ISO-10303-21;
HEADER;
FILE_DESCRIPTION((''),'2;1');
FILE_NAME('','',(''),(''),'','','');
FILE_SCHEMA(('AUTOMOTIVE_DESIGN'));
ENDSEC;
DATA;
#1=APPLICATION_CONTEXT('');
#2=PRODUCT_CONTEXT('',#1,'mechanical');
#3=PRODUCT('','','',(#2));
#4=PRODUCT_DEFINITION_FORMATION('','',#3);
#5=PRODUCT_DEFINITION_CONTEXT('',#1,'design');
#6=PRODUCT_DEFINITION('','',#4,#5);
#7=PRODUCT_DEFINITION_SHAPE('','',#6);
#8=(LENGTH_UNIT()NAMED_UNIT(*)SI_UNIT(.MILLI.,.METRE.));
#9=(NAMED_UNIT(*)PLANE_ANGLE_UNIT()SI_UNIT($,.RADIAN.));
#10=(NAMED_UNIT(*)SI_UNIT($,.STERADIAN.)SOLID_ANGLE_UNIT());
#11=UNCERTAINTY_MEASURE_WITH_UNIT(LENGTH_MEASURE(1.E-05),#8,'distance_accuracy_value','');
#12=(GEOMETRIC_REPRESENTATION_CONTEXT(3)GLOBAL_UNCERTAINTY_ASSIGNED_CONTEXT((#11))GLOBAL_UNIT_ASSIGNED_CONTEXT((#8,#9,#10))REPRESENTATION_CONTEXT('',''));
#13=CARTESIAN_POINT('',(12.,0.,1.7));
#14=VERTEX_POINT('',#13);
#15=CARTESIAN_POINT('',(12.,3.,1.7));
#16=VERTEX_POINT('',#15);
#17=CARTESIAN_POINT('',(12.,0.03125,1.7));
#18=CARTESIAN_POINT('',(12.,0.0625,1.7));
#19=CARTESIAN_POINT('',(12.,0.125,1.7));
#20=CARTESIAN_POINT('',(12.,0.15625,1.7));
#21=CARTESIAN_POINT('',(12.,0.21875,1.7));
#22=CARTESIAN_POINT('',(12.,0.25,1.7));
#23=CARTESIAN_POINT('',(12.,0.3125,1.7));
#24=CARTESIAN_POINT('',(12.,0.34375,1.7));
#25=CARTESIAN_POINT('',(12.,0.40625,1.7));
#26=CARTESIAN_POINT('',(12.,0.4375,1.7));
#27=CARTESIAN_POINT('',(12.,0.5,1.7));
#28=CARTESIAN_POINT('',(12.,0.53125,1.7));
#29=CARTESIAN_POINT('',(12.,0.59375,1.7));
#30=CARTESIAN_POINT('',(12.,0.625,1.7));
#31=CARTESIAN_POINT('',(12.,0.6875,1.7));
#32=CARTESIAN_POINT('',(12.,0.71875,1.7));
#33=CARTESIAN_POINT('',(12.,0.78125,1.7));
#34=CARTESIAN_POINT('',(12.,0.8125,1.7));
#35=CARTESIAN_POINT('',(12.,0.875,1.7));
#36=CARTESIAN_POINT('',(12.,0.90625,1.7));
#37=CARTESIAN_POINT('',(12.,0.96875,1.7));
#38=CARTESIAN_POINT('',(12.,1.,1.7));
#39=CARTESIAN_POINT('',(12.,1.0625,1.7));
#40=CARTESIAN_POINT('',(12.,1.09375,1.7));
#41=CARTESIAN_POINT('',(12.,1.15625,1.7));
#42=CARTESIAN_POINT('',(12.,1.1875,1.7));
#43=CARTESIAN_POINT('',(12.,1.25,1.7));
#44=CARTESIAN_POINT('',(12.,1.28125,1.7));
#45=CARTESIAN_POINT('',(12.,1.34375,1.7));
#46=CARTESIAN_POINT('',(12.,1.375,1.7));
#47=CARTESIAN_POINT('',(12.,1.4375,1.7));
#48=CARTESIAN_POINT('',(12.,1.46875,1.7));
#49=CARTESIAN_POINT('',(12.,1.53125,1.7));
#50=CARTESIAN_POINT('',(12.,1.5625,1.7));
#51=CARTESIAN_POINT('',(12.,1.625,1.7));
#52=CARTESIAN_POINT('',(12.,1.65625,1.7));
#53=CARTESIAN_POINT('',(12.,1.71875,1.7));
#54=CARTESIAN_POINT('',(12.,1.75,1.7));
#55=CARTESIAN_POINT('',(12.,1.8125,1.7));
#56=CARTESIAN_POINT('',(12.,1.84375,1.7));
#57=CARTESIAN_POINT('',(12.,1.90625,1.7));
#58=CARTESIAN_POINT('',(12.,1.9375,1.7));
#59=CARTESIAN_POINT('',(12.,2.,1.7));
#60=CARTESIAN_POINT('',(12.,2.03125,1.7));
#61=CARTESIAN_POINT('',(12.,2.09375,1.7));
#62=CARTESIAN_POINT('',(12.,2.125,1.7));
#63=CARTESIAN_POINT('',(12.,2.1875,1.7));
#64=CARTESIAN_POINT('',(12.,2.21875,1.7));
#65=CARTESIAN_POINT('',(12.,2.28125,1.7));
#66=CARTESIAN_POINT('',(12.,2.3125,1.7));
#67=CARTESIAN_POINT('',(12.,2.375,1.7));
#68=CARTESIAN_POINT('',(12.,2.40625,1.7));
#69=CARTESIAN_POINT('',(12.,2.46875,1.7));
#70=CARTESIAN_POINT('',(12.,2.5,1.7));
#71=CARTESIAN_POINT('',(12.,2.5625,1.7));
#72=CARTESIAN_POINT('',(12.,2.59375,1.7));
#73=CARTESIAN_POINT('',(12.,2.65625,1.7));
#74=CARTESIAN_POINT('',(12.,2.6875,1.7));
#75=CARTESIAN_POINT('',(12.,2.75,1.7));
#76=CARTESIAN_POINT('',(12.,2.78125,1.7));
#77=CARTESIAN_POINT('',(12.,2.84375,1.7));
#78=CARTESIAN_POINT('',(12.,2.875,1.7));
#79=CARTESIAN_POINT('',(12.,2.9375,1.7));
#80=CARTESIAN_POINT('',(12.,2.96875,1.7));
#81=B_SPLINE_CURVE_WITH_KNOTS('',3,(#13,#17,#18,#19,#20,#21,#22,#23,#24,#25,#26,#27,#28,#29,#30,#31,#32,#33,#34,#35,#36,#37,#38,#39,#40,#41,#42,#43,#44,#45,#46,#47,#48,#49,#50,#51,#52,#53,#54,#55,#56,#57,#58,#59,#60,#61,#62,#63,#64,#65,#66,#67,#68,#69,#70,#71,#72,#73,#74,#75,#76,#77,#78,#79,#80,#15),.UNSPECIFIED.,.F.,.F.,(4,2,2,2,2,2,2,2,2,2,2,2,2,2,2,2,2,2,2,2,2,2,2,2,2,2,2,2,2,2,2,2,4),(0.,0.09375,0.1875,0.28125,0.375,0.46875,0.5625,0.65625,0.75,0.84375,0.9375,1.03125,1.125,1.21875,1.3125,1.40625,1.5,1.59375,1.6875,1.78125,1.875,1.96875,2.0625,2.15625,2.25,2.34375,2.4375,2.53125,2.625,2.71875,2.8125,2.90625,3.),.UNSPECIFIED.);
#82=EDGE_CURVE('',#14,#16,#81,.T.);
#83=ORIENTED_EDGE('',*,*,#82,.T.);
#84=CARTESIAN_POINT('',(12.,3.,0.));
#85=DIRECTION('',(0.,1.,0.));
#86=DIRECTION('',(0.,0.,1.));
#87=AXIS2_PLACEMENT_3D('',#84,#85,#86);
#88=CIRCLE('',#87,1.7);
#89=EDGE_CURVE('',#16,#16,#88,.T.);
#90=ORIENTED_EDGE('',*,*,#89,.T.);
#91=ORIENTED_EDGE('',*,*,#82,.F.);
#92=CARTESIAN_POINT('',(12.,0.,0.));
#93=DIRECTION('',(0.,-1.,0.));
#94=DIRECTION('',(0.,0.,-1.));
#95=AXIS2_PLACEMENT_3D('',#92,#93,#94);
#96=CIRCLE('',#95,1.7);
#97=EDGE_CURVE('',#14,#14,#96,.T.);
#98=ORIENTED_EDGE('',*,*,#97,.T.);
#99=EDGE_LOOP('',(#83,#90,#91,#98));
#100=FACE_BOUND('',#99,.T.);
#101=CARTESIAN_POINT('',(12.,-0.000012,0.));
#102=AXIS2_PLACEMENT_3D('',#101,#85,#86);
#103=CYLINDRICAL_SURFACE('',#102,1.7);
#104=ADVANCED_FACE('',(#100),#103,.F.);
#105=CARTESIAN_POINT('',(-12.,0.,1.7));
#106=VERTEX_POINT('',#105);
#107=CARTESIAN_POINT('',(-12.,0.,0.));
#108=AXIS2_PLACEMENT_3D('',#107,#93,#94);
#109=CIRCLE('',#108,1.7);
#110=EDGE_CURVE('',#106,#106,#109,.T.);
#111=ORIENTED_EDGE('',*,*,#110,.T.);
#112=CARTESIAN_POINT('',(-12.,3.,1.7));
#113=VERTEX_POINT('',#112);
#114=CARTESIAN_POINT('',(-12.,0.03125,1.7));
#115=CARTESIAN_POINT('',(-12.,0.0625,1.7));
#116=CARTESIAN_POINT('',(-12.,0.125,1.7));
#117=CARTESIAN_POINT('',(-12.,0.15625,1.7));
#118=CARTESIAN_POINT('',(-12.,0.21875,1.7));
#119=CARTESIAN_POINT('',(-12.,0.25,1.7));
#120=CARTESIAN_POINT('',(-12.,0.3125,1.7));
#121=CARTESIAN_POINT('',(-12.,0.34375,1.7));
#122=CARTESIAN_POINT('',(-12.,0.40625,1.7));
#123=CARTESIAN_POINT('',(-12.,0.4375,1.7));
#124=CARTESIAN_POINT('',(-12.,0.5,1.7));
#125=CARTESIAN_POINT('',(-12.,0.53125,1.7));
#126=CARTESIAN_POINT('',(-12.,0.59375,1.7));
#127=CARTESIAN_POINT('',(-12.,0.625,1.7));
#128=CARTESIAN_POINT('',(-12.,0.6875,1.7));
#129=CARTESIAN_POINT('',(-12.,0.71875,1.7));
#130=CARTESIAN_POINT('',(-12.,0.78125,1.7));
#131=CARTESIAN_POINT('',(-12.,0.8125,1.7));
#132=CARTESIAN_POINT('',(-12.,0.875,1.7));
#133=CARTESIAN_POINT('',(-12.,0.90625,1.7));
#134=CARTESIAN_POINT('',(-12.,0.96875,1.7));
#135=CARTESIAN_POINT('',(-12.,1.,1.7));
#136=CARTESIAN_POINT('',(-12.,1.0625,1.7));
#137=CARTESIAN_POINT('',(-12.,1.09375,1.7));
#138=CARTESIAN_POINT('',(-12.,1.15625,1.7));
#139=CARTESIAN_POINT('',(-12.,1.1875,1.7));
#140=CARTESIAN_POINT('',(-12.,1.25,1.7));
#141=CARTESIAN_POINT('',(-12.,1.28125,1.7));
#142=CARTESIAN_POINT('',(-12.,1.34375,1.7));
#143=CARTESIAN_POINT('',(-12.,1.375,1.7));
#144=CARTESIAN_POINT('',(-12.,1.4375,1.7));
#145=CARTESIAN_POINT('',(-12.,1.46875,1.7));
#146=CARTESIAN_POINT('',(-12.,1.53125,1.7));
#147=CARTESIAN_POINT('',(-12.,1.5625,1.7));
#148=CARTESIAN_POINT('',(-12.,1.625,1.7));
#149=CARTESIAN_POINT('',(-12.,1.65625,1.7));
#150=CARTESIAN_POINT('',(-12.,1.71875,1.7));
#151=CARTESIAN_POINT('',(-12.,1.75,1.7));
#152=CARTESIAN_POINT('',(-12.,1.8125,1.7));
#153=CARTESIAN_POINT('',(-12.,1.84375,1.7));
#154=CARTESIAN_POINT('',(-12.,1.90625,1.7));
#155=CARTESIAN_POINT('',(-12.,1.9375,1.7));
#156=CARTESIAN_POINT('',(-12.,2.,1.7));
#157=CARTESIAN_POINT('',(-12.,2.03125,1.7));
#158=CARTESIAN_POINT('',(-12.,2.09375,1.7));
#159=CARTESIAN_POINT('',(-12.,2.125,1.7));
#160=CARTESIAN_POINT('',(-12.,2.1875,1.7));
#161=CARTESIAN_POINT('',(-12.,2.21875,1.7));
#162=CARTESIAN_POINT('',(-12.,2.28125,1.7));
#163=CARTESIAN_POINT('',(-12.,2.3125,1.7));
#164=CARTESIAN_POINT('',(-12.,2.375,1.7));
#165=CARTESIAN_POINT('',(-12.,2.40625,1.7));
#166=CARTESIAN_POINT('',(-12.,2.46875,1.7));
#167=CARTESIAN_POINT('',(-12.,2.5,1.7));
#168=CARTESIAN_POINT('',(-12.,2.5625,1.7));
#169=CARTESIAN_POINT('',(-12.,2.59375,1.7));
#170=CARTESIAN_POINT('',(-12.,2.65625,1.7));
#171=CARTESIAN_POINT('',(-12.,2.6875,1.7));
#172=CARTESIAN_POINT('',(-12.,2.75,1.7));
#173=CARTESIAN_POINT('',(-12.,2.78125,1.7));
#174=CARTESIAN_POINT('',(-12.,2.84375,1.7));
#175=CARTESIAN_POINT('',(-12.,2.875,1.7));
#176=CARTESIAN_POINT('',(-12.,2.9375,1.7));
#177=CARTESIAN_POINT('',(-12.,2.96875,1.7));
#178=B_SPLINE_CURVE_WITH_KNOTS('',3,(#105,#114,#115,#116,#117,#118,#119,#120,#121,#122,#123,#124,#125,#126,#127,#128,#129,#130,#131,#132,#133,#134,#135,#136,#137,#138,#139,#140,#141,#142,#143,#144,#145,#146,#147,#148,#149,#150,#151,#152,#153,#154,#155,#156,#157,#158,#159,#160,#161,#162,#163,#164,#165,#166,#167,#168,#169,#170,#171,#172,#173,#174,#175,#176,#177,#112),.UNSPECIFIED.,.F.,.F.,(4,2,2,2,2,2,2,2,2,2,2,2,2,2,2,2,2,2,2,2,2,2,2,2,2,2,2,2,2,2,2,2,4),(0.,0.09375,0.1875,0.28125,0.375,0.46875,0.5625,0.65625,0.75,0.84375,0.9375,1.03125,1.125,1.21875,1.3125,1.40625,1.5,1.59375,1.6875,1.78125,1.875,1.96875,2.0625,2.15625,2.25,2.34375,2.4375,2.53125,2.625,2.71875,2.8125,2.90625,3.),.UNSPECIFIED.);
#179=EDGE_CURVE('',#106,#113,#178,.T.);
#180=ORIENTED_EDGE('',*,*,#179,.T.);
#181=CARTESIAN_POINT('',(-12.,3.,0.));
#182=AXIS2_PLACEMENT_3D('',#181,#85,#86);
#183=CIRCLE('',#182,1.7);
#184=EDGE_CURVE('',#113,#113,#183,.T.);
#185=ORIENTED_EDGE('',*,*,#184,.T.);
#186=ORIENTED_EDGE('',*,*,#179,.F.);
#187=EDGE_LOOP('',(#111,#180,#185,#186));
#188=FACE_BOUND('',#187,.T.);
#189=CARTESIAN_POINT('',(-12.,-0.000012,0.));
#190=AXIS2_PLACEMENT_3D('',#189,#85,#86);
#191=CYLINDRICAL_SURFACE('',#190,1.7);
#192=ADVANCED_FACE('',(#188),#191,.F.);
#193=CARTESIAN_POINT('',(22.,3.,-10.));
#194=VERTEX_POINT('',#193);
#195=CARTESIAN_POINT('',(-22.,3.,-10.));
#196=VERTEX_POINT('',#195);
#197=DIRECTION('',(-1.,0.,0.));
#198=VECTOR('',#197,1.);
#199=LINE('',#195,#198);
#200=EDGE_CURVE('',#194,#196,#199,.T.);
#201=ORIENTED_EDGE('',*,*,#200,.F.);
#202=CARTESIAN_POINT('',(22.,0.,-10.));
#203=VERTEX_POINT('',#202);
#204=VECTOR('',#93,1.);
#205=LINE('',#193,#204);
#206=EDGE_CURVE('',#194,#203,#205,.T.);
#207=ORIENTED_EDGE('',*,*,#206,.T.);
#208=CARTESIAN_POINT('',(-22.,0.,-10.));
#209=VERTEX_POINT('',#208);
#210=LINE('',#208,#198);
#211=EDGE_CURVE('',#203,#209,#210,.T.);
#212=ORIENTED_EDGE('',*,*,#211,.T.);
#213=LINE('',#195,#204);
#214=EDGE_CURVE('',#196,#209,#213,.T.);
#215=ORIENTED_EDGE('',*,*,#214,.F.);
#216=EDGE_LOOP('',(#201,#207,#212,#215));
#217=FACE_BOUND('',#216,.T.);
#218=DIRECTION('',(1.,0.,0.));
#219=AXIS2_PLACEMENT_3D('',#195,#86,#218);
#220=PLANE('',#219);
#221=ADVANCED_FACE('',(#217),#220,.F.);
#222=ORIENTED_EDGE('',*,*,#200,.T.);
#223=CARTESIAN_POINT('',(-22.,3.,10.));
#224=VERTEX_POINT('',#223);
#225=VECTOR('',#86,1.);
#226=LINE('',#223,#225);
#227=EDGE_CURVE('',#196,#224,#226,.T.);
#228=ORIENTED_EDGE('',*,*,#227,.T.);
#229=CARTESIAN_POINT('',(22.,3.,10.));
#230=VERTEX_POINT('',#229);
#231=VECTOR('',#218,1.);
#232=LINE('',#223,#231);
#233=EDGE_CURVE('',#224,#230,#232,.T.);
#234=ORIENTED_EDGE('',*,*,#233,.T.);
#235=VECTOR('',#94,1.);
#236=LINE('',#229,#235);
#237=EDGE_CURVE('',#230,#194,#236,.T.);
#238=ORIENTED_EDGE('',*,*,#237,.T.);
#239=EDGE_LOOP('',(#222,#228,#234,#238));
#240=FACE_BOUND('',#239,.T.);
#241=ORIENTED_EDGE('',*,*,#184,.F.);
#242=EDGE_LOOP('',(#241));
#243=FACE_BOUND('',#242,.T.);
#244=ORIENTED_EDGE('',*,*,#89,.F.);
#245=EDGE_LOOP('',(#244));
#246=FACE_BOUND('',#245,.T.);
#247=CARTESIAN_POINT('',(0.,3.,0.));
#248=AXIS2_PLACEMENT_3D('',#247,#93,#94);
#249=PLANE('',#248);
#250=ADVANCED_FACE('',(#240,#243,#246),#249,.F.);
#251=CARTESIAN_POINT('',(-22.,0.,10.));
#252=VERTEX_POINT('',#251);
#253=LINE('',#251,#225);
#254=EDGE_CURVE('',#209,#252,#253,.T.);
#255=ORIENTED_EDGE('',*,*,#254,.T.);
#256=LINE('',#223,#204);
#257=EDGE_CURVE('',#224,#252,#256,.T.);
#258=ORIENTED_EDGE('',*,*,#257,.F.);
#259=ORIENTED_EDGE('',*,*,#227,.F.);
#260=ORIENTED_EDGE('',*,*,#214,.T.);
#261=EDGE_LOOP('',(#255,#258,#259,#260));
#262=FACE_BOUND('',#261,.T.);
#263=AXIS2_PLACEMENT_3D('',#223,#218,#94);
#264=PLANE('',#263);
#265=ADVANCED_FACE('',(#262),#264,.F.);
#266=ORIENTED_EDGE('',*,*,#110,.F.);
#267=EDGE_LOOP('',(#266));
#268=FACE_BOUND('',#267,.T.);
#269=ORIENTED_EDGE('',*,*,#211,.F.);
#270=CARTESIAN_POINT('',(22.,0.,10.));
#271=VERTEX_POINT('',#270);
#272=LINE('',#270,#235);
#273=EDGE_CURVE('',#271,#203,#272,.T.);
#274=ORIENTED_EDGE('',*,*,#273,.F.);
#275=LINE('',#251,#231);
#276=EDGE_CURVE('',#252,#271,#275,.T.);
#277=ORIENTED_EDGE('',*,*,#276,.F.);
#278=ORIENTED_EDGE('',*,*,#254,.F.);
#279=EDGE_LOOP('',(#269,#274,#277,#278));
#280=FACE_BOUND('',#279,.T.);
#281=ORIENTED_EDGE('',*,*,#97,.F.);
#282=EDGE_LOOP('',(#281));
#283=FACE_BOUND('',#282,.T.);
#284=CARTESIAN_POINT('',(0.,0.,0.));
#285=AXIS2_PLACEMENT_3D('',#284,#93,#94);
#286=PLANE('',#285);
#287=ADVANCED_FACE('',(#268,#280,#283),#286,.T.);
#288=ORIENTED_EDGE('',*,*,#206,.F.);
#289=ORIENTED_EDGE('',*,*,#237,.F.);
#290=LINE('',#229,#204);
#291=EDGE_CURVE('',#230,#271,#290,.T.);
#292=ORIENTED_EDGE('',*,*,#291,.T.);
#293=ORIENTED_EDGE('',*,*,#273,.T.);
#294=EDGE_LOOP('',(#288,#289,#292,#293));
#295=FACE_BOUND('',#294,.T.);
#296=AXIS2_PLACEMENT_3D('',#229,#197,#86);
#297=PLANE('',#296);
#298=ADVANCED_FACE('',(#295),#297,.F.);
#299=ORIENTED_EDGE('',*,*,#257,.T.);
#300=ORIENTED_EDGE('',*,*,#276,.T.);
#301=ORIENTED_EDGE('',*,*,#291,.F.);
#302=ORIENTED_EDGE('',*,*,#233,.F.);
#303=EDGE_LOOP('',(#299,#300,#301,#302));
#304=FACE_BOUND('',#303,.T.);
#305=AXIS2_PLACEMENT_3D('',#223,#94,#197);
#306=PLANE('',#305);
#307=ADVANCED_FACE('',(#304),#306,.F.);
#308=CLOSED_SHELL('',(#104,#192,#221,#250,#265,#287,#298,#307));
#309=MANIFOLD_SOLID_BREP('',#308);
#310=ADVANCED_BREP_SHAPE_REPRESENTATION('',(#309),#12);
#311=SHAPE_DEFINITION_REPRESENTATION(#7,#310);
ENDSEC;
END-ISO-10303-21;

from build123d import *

# Parameters (mm, degrees)
SKETCH1_W             = 44
SKETCH1_H             = 20
JOINER_PLATE_DEPTH    = 3
BOLT_HOLES_DEPTH      = 25.351591324
BOLT_HOLES_DEPTH_BACK = 25.351591324
SKETCH2_R             = 1.7


with BuildPart() as part:
    # Sketch1 → Joiner Plate (new body)
    with BuildSketch(Plane(origin=(0, 0, 0), x_dir=(1, 0, 0), z_dir=(0, 1, 0))):
        Rectangle(SKETCH1_W, SKETCH1_H)
    extrude(amount=JOINER_PLATE_DEPTH)

    # Sketch2 → Bolt Holes (cut, two sides: drawn at the far end of the back side and taken through both)
    with BuildSketch(Plane(origin=(0, 0, 0), x_dir=(1, 0, 0), z_dir=(0, 1, 0)).offset(-BOLT_HOLES_DEPTH_BACK)):
        with Locations(Location((-12, 0, 0), (0, 0, 270))):
            Circle(SKETCH2_R)
        with Locations(Location((12, 0, 0), (0, 0, 270))):
            Circle(SKETCH2_R)
    extrude(amount=BOLT_HOLES_DEPTH + BOLT_HOLES_DEPTH_BACK, mode=Mode.SUBTRACT)


solid = part.part
